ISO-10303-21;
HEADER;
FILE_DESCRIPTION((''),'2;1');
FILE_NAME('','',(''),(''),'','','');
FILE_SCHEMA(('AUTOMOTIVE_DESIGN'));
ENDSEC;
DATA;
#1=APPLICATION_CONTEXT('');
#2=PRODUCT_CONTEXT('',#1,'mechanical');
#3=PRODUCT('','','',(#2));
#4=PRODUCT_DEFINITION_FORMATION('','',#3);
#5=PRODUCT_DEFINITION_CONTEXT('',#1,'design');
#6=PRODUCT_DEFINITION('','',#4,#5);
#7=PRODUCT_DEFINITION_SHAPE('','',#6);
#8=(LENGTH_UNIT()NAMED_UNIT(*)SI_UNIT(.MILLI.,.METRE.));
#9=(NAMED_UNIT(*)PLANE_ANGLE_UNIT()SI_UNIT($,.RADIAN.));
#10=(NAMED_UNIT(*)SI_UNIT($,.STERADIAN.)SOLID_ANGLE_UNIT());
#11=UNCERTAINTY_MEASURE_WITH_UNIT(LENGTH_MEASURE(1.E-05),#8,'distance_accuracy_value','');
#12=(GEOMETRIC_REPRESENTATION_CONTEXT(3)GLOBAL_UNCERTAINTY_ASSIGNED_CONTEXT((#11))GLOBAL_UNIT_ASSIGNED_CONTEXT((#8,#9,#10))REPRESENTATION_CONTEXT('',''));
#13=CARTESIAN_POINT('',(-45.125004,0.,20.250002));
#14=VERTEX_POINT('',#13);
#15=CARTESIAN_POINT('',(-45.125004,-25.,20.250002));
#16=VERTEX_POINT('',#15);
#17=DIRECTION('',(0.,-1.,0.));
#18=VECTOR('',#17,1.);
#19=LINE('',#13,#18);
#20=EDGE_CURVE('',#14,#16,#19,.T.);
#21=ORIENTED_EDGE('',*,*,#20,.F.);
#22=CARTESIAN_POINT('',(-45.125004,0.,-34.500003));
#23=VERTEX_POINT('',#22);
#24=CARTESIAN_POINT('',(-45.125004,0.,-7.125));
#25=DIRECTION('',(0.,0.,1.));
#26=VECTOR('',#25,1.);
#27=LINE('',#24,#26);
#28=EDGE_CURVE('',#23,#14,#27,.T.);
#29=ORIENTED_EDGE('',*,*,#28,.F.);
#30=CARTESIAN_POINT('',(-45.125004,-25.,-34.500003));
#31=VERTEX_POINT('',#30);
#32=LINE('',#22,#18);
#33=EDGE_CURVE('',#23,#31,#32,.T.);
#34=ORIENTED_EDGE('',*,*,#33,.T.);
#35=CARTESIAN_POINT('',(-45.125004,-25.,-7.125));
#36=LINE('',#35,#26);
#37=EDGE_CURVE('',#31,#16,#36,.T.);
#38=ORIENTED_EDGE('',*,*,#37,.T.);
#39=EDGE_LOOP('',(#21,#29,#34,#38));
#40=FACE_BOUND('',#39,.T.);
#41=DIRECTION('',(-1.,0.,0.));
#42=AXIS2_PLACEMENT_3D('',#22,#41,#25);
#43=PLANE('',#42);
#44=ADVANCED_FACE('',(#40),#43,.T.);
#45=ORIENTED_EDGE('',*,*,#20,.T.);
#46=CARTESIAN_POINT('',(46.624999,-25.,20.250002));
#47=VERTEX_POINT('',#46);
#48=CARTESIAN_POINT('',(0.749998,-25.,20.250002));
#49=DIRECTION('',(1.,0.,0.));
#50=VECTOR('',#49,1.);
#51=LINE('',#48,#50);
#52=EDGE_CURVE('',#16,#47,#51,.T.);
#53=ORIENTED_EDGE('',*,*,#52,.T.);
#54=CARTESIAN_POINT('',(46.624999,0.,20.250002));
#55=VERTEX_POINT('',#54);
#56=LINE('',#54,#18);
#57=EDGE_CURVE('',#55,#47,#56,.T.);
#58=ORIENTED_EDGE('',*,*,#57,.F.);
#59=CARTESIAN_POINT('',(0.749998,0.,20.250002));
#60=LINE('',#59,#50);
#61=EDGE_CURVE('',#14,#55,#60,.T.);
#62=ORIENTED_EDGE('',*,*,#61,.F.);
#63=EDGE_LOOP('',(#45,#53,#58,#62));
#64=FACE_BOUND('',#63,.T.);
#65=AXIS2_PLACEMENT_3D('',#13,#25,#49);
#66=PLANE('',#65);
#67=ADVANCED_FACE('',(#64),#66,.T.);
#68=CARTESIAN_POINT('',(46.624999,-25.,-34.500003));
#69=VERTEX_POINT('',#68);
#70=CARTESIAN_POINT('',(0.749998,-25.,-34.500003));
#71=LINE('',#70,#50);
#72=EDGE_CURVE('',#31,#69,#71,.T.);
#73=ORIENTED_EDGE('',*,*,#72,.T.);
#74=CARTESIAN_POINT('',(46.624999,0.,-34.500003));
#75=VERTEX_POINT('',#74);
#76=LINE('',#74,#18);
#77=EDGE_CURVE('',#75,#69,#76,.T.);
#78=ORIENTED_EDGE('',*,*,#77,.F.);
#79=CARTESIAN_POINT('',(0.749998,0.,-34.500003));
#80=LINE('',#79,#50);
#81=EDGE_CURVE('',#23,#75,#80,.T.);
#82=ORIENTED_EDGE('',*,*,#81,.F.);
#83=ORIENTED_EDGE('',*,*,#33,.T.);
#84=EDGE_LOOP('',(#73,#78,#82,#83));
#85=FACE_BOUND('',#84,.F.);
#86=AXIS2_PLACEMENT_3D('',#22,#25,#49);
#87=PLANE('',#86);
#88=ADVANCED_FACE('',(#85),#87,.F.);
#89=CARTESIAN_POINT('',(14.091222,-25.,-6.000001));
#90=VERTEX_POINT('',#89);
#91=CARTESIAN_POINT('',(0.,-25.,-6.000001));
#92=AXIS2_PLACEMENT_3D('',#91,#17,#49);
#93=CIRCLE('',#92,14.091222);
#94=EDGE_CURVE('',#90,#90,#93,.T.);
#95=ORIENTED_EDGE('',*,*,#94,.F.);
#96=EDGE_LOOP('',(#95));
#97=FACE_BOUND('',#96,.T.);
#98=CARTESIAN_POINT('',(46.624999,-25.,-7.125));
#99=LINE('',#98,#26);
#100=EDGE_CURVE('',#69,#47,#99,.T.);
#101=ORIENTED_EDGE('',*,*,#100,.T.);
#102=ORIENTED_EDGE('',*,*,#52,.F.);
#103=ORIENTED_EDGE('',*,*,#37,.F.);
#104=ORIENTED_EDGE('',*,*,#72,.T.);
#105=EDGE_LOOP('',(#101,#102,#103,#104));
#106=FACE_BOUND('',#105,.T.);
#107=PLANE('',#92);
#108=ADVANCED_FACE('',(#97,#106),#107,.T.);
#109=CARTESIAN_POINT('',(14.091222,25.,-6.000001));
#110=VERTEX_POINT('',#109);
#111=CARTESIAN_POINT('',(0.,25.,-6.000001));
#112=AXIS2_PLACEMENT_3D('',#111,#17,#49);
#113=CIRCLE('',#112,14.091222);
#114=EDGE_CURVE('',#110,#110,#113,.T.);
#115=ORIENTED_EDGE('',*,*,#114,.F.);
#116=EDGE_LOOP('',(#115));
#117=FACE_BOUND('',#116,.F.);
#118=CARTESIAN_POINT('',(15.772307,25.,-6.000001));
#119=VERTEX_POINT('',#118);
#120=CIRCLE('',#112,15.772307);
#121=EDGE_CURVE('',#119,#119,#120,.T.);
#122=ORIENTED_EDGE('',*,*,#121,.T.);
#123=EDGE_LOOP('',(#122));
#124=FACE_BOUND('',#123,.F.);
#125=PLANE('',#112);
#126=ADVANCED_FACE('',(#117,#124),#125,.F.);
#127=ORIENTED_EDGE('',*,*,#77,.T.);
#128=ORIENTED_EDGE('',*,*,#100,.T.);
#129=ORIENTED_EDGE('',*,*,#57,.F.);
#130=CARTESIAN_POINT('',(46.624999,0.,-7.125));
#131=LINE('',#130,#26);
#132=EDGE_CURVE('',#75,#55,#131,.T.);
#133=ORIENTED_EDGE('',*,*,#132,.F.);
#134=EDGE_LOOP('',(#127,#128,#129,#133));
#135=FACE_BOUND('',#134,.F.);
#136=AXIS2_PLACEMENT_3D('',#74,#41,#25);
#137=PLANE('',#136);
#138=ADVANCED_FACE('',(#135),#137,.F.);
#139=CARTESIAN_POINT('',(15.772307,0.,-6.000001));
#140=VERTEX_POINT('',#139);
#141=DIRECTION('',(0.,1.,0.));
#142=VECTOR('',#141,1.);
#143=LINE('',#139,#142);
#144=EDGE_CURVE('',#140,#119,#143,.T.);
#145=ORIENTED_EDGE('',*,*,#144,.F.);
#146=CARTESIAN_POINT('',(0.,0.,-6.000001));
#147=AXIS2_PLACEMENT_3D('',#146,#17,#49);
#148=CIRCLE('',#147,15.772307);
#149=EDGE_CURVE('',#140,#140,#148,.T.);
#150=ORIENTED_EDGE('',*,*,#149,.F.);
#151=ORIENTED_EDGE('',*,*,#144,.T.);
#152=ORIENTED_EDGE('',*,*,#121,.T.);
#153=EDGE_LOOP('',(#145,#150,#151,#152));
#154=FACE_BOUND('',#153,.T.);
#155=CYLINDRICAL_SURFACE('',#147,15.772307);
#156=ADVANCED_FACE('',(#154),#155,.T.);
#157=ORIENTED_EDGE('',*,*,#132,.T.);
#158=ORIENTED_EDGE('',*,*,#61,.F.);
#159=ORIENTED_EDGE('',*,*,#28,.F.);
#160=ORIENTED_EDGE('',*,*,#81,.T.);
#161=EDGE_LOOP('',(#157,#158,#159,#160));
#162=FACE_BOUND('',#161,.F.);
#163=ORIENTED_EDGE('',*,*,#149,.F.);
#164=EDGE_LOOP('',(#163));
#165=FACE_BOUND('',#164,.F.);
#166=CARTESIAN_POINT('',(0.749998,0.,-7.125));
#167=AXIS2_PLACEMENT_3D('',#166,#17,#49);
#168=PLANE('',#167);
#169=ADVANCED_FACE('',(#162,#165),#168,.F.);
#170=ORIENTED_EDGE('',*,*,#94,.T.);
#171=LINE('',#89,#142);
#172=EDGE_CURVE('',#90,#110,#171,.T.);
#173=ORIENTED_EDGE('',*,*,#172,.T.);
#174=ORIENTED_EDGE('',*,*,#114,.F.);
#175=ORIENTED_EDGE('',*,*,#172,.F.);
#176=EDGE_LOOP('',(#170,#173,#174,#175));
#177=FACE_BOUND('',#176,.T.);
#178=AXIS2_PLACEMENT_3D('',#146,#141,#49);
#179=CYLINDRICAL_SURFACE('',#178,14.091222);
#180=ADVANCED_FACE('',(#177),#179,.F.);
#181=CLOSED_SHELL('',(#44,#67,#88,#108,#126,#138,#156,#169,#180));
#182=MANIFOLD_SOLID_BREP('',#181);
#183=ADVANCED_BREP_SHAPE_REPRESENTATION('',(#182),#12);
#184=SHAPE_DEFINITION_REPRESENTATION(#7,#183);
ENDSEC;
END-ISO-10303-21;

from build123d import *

# Parameters (mm, degrees)
F0_W          = 91.7500033975
F0_H          = 54.7500047833
F0_R          = 15.7723069733
F1_DEPTH      = 25
F0_R_2        = 14.0912223612
F2_DEPTH      = 25
F2_DEPTH_BACK = 25


with BuildPart() as f1:
    # F0 (on Front) → F1 (new body)
    with BuildSketch(Plane.XZ):
        with Locations((0.7499977946, -7.1250004694)):
            Rectangle(F0_W, F0_H)
        with Locations((0, -6.0000005178)):
            Circle(F0_R, mode=Mode.SUBTRACT)
    extrude(amount=F1_DEPTH)

    # F0 (on Front) → F2 (join, two sides)
    with BuildSketch(Plane.XZ) as f2_sk:
        with Locations((0, -6.0000005178)):
            Circle(F0_R)
        with Locations((0, -6.0000005178)):
            Circle(F0_R_2, mode=Mode.SUBTRACT)
    extrude(amount=-F2_DEPTH)
    extrude(f2_sk.sketch, amount=F2_DEPTH_BACK)


solid = f1.part
